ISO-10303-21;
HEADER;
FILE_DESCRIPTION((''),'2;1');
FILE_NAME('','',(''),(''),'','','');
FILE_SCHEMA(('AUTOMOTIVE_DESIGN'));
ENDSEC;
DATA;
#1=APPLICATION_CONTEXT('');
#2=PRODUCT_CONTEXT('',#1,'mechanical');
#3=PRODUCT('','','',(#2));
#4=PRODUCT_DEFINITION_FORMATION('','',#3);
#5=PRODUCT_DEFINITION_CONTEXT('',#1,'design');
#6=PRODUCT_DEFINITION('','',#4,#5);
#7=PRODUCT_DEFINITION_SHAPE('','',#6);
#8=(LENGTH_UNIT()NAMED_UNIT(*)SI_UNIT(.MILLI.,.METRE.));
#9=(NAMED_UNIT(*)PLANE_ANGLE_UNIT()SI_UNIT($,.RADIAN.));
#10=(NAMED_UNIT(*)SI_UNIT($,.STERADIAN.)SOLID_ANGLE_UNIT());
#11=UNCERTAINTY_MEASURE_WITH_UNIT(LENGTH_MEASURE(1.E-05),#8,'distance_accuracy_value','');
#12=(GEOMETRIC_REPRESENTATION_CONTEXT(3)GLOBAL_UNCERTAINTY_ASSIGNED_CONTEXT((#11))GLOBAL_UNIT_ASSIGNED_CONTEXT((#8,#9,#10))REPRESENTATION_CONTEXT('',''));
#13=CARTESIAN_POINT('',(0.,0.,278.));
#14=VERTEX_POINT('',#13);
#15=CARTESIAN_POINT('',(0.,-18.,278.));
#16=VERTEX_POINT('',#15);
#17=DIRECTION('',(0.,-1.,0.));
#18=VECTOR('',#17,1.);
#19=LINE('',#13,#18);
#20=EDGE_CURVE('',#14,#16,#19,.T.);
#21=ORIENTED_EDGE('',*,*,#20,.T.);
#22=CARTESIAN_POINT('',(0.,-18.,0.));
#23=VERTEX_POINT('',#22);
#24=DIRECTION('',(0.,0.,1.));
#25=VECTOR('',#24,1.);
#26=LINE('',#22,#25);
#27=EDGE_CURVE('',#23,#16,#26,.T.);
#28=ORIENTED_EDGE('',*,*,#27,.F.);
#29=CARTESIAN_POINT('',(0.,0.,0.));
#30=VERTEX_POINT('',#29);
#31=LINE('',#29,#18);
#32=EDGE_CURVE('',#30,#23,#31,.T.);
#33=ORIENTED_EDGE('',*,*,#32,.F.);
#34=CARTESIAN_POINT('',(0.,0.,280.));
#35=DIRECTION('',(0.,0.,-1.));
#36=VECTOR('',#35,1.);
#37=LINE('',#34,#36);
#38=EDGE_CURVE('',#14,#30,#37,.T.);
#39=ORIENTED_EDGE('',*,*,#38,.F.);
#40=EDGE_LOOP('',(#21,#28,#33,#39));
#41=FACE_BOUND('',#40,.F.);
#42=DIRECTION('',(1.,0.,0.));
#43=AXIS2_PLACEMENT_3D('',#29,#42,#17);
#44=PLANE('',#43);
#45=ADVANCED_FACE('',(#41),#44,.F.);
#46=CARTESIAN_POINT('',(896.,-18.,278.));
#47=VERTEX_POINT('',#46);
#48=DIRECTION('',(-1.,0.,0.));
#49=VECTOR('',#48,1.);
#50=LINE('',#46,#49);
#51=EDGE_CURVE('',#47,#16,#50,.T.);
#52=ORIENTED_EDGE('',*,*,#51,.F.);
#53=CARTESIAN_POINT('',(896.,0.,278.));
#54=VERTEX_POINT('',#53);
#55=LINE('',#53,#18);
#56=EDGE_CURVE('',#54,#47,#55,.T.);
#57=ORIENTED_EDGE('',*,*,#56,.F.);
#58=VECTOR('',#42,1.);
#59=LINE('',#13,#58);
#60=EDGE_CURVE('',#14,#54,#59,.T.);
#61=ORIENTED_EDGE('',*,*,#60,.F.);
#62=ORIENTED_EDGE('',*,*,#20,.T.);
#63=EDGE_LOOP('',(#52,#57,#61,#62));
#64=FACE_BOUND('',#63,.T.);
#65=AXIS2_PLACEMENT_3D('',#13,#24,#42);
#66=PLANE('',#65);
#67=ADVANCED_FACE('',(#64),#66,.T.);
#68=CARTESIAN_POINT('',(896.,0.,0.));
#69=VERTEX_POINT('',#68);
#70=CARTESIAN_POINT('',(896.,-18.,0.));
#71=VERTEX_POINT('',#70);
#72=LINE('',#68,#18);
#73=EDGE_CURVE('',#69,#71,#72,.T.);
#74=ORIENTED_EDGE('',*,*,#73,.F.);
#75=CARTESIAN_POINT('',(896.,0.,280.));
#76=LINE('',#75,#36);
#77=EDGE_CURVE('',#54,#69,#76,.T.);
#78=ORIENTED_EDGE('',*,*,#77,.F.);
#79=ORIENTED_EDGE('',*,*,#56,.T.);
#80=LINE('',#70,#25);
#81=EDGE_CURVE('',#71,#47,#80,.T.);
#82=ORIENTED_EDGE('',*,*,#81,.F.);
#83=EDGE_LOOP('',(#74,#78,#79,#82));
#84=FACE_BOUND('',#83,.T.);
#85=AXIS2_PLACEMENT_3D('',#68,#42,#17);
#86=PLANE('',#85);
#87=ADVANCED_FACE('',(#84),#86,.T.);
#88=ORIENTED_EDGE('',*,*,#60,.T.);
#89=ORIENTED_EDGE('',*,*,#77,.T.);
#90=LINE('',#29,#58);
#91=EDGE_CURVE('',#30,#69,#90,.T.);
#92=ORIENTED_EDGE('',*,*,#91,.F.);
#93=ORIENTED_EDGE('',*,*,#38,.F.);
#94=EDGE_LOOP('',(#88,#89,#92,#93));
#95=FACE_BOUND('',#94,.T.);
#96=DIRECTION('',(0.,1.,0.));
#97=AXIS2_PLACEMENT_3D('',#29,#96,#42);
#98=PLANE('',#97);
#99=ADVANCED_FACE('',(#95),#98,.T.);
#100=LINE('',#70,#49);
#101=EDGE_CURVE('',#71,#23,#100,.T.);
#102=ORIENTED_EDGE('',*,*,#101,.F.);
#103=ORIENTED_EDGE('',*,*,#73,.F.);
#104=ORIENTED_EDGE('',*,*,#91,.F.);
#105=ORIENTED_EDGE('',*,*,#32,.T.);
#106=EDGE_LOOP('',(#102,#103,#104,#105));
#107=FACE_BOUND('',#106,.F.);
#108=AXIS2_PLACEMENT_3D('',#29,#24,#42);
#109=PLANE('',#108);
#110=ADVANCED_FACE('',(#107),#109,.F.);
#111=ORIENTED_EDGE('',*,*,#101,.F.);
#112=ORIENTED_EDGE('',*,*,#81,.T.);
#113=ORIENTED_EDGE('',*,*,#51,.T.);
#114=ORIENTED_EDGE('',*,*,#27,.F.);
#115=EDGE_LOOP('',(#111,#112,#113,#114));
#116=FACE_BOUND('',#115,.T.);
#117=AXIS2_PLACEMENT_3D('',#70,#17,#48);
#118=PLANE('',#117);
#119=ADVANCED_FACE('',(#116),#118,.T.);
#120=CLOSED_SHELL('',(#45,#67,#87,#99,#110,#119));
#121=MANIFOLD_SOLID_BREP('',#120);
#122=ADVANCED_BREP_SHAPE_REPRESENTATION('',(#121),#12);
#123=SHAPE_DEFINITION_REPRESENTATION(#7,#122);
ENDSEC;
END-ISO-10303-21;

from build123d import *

# Parameters (mm, degrees)
F0_W     = 63.8693869114
F0_H     = 55.2091002464
F1_DEPTH = 18
F2_DEPTH = 896
F3_DEPTH = 280
F4_DEPTH = 25
F5_DEPTH = 2


with BuildPart() as f1:
    # F0 (on Front) → F1 (new body)
    with BuildSketch(Plane.XZ):
        with Locations((31.9346934557, 27.6045501232)):
            Rectangle(F0_W, F0_H)
    extrude(amount=F1_DEPTH)

    # F2 (add): a face of the model
    f2_faces = [f1.faces().sort_by_distance(p)[0] for p in [
        (0, -9, 27.6045501232),
    ]]
    extrude(f2_faces, amount=-F2_DEPTH)

    # F3 (add): a face of the model
    f3_faces = [f1.faces().sort_by_distance(p)[0] for p in [
        (448, -9, 0),
    ]]
    extrude(f3_faces, amount=-F3_DEPTH)

    # F4 (add): a face of the model
    f4_faces = [f1.faces().sort_by_distance(p)[0] for p in [
        (448, -9, 0),
    ]]
    extrude(f4_faces, amount=-F4_DEPTH)

    # F5 (cut): a face of the model
    f5_faces = [f1.faces().sort_by_distance(p)[0] for p in [
        (448, -9, 280),
    ]]
    extrude(f5_faces, amount=-F5_DEPTH, mode=Mode.SUBTRACT)


solid = f1.part
